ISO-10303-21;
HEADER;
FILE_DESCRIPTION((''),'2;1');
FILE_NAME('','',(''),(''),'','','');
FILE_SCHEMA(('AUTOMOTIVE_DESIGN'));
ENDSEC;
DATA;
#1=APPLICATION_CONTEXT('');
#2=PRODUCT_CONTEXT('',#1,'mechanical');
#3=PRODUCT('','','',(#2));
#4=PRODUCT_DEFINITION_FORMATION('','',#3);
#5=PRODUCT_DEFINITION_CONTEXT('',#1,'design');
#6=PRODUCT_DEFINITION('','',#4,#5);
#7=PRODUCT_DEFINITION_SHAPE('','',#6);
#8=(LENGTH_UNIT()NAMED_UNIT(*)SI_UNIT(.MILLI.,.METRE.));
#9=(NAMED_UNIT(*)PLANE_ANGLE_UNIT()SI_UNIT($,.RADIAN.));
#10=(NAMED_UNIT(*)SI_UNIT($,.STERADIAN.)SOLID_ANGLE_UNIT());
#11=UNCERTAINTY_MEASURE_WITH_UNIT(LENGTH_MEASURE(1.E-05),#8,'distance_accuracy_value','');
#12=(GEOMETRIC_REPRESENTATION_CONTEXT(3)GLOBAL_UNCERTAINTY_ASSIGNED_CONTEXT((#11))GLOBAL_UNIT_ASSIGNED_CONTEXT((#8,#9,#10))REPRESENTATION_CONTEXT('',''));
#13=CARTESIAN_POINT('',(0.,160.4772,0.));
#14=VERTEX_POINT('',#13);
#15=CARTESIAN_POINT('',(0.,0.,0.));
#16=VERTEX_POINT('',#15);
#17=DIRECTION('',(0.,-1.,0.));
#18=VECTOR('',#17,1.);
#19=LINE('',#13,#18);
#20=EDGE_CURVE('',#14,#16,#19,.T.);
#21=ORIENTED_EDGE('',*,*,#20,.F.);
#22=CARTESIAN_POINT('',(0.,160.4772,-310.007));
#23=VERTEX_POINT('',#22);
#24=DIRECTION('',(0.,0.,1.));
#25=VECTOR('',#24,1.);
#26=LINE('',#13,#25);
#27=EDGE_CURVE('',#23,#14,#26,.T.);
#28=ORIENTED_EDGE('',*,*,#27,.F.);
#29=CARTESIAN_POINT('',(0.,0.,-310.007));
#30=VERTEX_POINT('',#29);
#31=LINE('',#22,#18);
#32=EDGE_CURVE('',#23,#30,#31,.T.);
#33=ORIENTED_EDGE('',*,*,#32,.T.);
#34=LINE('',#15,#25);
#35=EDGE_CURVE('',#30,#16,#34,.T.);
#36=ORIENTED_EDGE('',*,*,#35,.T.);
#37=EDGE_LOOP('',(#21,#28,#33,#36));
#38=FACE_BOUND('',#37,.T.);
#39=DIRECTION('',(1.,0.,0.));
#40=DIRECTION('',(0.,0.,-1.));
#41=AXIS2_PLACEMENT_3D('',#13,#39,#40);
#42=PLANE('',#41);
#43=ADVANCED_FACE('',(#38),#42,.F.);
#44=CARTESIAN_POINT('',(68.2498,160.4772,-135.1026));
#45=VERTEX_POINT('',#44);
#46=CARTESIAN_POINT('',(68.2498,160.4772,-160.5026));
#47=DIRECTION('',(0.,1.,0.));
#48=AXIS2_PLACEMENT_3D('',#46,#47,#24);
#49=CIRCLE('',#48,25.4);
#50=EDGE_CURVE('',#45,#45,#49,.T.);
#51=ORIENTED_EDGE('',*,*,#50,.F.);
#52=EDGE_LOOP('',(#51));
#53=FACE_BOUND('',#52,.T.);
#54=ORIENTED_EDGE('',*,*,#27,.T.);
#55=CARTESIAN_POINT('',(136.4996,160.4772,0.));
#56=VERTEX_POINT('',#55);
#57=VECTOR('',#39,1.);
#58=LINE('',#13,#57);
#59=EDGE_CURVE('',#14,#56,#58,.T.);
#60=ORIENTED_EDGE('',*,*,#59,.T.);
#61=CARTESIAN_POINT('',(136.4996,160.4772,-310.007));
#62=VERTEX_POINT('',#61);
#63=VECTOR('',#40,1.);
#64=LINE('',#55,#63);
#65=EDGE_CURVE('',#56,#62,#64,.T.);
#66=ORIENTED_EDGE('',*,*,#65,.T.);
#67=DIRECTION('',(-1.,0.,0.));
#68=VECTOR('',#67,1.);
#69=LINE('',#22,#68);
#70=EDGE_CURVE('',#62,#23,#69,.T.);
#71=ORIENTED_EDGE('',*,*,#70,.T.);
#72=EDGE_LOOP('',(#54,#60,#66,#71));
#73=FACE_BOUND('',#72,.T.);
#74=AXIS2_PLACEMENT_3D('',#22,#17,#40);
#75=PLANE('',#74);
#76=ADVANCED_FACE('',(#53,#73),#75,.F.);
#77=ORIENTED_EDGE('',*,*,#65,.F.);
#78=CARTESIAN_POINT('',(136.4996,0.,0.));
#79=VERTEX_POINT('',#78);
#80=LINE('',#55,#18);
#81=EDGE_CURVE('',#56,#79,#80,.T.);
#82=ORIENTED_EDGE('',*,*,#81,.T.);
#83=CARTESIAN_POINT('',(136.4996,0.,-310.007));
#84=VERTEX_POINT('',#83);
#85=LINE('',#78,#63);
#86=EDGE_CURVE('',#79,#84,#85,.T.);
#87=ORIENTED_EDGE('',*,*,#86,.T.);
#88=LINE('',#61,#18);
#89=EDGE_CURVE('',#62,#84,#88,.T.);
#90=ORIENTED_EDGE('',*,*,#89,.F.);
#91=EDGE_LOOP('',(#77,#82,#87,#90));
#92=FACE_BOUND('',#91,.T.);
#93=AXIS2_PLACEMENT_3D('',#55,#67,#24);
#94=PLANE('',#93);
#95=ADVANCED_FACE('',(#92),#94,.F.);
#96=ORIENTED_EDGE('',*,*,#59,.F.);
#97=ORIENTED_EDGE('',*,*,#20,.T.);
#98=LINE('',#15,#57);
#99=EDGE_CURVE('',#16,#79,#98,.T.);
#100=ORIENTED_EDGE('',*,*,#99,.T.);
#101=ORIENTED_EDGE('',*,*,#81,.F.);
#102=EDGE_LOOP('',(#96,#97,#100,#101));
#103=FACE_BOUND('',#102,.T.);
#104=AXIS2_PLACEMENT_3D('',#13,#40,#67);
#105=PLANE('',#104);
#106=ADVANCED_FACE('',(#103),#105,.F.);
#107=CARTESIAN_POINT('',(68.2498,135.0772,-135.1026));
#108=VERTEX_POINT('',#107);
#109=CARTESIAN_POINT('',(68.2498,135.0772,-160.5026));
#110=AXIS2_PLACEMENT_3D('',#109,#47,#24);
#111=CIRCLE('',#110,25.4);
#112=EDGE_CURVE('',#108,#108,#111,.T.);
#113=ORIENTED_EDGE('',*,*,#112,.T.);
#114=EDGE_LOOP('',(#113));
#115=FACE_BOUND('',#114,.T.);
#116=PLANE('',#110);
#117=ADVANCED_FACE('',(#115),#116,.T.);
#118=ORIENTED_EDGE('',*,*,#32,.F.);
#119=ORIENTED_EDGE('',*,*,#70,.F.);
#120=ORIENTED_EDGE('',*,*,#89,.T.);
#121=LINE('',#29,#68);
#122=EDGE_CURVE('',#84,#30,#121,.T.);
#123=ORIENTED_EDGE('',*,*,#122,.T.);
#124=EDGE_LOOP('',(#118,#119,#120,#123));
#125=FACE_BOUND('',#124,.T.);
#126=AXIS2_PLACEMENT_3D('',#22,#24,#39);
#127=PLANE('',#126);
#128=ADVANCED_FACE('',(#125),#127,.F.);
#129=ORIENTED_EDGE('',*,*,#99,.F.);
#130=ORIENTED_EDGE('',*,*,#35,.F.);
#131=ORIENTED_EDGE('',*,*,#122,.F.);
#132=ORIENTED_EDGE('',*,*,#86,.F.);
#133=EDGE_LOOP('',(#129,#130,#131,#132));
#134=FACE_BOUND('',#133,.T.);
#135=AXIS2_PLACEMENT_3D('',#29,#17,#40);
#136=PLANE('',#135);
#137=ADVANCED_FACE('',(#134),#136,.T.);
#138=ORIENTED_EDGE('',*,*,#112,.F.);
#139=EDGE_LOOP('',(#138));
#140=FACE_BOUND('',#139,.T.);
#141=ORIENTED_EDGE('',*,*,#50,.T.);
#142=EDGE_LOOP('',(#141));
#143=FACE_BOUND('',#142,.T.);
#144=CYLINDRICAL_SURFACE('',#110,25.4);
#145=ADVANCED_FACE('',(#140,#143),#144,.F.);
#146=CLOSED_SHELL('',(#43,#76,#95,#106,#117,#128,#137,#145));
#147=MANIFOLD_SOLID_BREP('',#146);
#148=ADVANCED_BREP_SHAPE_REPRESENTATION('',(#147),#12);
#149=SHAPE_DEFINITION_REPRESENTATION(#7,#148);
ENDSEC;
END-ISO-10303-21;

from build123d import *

# Parameters (mm, degrees)
SKETCH1_W           = 136.4996
SKETCH1_H           = 310.007
BOSS_EXTRUDE1_DEPTH = 160.4772
SKETCH4_R           = 25.4
CUT_EXTRUDE1_DEPTH  = 25.4


with BuildPart() as part:
    # Sketch1 → Boss-Extrude1 (new body)
    with BuildSketch(Plane(origin=(0, 0, 0), x_dir=(1, 0, 0), z_dir=(0, 1, 0))):
        with Locations((68.2498, 155.0035)):
            Rectangle(SKETCH1_W, SKETCH1_H)
    extrude(amount=BOSS_EXTRUDE1_DEPTH)

    # Sketch4 → Cut-Extrude1 (cut)
    with BuildSketch(Plane(origin=(0, 160.4772, 0), x_dir=(1, 0, 0), z_dir=(0, 1, 0))):
        with Locations((68.2498, 160.5026)):
            Circle(SKETCH4_R)
    extrude(amount=-CUT_EXTRUDE1_DEPTH, mode=Mode.SUBTRACT)


solid = part.part
